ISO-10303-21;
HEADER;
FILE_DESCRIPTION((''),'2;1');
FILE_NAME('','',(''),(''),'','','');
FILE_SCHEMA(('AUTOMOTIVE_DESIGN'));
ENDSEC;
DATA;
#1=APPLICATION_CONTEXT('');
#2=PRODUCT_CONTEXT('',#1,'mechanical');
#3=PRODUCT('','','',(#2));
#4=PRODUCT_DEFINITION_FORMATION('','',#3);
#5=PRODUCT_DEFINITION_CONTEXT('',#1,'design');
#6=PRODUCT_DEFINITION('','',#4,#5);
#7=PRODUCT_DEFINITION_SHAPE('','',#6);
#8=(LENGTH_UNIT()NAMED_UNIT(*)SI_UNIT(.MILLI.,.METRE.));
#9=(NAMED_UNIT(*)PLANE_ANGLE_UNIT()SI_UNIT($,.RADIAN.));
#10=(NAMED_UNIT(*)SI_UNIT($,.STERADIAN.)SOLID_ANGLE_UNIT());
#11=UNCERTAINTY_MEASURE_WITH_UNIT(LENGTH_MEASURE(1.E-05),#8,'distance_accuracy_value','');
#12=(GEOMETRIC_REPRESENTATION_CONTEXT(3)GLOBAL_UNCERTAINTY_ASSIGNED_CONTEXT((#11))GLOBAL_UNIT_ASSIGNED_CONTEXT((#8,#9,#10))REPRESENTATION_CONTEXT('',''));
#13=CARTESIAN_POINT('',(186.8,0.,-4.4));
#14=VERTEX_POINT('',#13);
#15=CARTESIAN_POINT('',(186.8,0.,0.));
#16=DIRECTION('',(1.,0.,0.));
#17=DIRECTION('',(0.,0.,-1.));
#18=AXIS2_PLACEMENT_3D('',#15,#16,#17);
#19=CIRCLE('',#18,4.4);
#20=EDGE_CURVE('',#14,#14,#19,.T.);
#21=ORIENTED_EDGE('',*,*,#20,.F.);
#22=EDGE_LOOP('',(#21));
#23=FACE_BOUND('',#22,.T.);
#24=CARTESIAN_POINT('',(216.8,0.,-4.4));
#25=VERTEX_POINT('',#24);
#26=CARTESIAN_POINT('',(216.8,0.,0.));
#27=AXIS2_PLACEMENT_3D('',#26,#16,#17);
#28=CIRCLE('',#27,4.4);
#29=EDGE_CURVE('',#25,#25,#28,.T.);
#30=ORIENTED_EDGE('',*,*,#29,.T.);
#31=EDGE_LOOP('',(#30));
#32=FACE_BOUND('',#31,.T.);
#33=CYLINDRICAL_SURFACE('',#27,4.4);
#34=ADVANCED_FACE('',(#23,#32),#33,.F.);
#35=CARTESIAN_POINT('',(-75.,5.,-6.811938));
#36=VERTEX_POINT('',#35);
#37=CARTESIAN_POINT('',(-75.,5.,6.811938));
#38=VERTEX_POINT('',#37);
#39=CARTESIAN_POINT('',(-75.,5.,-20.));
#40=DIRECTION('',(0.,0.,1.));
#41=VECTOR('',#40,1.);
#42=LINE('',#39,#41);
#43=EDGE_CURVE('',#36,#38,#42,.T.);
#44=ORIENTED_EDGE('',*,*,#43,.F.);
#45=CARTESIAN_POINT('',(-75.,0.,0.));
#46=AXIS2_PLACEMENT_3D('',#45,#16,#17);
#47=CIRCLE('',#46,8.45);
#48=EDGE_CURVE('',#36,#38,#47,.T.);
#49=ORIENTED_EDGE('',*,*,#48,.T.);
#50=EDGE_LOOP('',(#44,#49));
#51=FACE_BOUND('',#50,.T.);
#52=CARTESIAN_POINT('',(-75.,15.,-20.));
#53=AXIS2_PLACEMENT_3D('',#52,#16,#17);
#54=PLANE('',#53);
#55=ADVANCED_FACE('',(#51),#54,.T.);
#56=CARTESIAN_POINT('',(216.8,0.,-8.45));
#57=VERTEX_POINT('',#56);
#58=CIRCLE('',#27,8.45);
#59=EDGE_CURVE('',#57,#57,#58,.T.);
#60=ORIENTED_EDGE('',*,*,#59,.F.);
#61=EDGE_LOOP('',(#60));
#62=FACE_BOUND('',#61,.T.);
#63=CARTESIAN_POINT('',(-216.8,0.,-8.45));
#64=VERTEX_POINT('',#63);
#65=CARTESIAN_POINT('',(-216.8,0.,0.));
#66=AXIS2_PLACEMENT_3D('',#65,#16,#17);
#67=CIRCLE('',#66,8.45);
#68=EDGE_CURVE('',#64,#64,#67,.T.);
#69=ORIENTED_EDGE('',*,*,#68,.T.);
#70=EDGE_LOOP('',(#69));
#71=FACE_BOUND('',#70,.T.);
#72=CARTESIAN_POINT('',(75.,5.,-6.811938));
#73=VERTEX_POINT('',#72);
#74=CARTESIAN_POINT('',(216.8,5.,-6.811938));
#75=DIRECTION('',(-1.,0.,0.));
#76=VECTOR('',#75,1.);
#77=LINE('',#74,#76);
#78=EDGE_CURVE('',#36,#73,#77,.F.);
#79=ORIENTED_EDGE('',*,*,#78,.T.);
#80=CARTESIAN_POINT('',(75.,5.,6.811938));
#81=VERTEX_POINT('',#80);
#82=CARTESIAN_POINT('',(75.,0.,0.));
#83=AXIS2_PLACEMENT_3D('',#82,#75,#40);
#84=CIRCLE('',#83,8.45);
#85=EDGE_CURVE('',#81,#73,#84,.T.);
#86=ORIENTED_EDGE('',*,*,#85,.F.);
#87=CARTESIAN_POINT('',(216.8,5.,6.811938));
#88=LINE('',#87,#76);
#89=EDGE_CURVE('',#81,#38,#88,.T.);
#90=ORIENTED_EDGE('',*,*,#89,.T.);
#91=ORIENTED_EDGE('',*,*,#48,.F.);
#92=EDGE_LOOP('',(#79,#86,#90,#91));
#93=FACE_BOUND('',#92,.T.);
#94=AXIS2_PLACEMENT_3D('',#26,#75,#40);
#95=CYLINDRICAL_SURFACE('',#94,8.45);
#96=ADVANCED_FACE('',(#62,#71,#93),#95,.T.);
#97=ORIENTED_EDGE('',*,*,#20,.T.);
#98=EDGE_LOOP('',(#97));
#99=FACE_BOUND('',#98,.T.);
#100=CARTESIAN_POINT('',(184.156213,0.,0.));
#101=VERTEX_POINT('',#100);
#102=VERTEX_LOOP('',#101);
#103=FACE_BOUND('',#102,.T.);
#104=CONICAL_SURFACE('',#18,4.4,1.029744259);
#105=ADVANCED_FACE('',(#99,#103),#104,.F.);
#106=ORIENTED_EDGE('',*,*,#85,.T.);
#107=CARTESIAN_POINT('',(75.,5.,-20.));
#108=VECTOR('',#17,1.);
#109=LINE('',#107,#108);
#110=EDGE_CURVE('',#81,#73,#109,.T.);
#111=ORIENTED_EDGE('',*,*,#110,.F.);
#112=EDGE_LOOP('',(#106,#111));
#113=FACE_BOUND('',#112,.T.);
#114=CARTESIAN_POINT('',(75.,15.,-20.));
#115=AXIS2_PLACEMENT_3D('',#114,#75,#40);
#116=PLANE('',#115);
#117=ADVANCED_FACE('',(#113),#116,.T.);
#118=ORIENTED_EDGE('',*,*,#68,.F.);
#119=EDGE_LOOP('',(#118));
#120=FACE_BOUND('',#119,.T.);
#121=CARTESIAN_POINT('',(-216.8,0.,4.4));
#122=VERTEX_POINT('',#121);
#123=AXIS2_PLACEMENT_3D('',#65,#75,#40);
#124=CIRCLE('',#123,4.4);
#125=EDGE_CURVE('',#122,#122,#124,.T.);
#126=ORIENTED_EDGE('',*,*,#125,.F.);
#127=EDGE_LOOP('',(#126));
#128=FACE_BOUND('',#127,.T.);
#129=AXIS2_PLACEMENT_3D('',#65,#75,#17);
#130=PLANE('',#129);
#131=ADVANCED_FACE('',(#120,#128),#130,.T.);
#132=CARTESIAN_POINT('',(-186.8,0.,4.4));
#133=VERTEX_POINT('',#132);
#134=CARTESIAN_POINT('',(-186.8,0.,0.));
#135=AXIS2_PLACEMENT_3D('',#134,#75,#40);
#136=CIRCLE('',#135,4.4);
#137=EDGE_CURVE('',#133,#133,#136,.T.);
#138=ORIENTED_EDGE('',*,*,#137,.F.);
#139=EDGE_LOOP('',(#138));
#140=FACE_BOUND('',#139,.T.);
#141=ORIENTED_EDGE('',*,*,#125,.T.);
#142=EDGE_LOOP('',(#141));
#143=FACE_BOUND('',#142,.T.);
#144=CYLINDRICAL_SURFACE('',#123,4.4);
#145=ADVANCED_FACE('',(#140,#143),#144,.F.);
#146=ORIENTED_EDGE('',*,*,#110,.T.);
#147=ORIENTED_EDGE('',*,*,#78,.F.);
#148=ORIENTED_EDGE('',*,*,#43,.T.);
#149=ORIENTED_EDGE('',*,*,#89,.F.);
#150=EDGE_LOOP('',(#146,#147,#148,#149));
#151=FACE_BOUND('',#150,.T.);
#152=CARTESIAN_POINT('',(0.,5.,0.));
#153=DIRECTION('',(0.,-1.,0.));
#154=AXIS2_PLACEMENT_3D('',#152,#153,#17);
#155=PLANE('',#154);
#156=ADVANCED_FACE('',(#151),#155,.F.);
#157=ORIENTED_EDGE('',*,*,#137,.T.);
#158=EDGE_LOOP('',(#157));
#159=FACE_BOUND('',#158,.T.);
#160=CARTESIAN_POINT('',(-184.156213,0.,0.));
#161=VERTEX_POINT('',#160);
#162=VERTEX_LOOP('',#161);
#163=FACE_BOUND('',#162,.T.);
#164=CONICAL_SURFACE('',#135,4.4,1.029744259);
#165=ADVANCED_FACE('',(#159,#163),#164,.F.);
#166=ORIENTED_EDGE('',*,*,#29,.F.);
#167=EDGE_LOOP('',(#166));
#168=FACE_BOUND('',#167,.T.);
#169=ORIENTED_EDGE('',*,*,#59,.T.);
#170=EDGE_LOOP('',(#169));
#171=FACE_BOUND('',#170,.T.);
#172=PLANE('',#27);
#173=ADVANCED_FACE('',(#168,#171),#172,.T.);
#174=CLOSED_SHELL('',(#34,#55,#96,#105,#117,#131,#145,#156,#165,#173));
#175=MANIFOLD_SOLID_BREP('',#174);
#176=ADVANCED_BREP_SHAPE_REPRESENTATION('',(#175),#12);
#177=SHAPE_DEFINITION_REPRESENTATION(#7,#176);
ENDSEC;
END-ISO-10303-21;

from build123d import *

# Parameters (mm, degrees)
SKETCH1_W               = 20
SKETCH1_H               = 16.9
BOSS_EXTRUDE1_DEPTH     = 23.75
SKETCH2_R               = 8.45
BOSS_EXTRUDE2_DEPTH     = 193.05
SKETCH6_R               = 18.45
SKETCH6_R_2             = 8.45
CUT_EXTRUDE_THIN1_DEPTH = 30
CUT_EXTRUDE1_START      = 5
SKETCH7_W               = 150
SKETCH7_H               = 40
CUT_EXTRUDE1_DEPTH      = 10


with BuildPart() as part:
    # Sketch1 → Boss-Extrude1 (new, symmetric)
    with BuildSketch(Plane(origin=(0, 0, 0), x_dir=(0, 0, -1), z_dir=(1, 0, 0))):
        Rectangle(SKETCH1_W, SKETCH1_H)
    extrude(amount=BOSS_EXTRUDE1_DEPTH, both=True)

    # Sketch2 → Boss-Extrude2 (add)
    with BuildSketch(Plane(origin=(23.75, 0, 0), x_dir=(0, 0, -1), z_dir=(1, 0, 0))):
        with Locations(Location((0, 0, 0), (0, 0, 270))):
            Circle(SKETCH2_R)
    boss_extrude2 = extrude(amount=BOSS_EXTRUDE2_DEPTH)

    # Sketch3 → M10x1.25 Tapped Hole1 (revolve, cut)
    with BuildSketch(Plane(origin=(216.8, 0, 0), x_dir=(0, 0, -1), z_dir=(0, 1, 0))):
        Polygon((0, 0), (0, 32.643786724), (4.4, 30), (4.4, 0), align=None)
    m10x1_25_tapped_hole1 = revolve(axis=Axis((223.15, 0, 0), (-1, 0, 0)), mode=Mode.SUBTRACT)

    # Mirror1: Boss-Extrude2, M10x1.25 Tapped Hole1 across plane
    add(boss_extrude2.mirror(Plane(origin=(0, 0, 0), x_dir=(0, 0, 1), z_dir=(1, 0, 0))))
    add(m10x1_25_tapped_hole1.mirror(Plane(origin=(0, 0, 0), x_dir=(0, 0, 1), z_dir=(1, 0, 0))), mode=Mode.SUBTRACT)

    # Sketch6 → Cut-Extrude-Thin1 (cut, symmetric)
    with BuildSketch(Plane(origin=(0, 0, 0), x_dir=(0, 0, -1), z_dir=(1, 0, 0))):
        Circle(SKETCH6_R)
        Circle(SKETCH6_R_2, mode=Mode.SUBTRACT)
    extrude(amount=CUT_EXTRUDE_THIN1_DEPTH, both=True, mode=Mode.SUBTRACT)

    # Sketch7 → Cut-Extrude1 (cut)
    with BuildSketch(Plane(origin=(0, 0, 0), x_dir=(1, 0, 0), z_dir=(0, 1, 0)).offset(CUT_EXTRUDE1_START)):
        Rectangle(SKETCH7_W, SKETCH7_H)
    extrude(amount=CUT_EXTRUDE1_DEPTH, mode=Mode.SUBTRACT)


solid = part.part
